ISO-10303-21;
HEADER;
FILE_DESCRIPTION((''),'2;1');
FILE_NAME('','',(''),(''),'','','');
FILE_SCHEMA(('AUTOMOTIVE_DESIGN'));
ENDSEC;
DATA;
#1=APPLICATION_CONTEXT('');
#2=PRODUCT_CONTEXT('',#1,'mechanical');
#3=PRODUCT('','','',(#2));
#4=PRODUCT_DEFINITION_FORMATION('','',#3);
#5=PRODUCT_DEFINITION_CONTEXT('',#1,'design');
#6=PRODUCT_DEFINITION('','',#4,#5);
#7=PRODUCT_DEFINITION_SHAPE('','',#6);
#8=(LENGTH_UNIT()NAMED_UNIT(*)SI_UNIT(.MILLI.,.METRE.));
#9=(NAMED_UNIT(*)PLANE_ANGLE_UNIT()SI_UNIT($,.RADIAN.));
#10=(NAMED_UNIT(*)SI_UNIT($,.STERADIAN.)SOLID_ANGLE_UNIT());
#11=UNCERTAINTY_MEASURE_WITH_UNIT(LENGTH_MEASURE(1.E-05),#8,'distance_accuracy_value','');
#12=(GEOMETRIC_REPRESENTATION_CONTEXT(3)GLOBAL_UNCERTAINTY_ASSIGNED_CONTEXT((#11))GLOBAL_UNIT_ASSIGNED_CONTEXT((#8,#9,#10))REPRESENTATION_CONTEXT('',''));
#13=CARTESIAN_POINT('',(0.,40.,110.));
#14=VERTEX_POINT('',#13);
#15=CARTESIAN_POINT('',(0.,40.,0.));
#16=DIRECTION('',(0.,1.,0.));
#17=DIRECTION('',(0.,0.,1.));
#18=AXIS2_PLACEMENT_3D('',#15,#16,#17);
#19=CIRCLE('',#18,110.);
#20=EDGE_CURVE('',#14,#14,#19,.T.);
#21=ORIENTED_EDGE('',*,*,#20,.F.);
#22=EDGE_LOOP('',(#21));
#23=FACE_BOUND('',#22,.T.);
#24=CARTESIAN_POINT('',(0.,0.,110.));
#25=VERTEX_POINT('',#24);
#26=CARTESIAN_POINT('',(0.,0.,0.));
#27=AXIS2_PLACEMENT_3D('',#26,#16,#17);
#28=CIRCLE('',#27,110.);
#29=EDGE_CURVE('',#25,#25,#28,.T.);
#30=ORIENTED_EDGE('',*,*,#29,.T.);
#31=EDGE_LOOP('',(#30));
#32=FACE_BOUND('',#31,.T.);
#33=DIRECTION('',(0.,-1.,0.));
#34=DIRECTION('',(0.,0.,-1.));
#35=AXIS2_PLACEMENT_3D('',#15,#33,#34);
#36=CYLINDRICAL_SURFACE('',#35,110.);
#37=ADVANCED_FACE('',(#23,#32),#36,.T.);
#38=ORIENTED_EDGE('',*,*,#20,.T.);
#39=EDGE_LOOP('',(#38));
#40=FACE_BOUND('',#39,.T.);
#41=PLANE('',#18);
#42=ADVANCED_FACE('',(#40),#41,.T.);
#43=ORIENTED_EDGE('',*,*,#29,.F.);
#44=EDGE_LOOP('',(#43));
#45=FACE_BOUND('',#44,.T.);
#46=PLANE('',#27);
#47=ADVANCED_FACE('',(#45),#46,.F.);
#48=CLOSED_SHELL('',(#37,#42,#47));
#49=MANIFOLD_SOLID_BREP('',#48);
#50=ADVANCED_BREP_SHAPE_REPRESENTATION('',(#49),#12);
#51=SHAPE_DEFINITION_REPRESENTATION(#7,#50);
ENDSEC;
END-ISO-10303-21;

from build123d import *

# Parameters (mm, degrees)
SKETCH1_R      = 110
EXTRUDE1_DEPTH = 40


with BuildPart() as part:
    # Sketch1 → Extrude1 (new body)
    with BuildSketch(Plane(origin=(0, 0, 0), x_dir=(1, 0, 0), z_dir=(0, 1, 0))):
        with Locations(Location((0, 0, 0), (0, 0, 270))):  # turned: the seam where the file's is
            Circle(SKETCH1_R)
    extrude(amount=EXTRUDE1_DEPTH)


solid = part.part
